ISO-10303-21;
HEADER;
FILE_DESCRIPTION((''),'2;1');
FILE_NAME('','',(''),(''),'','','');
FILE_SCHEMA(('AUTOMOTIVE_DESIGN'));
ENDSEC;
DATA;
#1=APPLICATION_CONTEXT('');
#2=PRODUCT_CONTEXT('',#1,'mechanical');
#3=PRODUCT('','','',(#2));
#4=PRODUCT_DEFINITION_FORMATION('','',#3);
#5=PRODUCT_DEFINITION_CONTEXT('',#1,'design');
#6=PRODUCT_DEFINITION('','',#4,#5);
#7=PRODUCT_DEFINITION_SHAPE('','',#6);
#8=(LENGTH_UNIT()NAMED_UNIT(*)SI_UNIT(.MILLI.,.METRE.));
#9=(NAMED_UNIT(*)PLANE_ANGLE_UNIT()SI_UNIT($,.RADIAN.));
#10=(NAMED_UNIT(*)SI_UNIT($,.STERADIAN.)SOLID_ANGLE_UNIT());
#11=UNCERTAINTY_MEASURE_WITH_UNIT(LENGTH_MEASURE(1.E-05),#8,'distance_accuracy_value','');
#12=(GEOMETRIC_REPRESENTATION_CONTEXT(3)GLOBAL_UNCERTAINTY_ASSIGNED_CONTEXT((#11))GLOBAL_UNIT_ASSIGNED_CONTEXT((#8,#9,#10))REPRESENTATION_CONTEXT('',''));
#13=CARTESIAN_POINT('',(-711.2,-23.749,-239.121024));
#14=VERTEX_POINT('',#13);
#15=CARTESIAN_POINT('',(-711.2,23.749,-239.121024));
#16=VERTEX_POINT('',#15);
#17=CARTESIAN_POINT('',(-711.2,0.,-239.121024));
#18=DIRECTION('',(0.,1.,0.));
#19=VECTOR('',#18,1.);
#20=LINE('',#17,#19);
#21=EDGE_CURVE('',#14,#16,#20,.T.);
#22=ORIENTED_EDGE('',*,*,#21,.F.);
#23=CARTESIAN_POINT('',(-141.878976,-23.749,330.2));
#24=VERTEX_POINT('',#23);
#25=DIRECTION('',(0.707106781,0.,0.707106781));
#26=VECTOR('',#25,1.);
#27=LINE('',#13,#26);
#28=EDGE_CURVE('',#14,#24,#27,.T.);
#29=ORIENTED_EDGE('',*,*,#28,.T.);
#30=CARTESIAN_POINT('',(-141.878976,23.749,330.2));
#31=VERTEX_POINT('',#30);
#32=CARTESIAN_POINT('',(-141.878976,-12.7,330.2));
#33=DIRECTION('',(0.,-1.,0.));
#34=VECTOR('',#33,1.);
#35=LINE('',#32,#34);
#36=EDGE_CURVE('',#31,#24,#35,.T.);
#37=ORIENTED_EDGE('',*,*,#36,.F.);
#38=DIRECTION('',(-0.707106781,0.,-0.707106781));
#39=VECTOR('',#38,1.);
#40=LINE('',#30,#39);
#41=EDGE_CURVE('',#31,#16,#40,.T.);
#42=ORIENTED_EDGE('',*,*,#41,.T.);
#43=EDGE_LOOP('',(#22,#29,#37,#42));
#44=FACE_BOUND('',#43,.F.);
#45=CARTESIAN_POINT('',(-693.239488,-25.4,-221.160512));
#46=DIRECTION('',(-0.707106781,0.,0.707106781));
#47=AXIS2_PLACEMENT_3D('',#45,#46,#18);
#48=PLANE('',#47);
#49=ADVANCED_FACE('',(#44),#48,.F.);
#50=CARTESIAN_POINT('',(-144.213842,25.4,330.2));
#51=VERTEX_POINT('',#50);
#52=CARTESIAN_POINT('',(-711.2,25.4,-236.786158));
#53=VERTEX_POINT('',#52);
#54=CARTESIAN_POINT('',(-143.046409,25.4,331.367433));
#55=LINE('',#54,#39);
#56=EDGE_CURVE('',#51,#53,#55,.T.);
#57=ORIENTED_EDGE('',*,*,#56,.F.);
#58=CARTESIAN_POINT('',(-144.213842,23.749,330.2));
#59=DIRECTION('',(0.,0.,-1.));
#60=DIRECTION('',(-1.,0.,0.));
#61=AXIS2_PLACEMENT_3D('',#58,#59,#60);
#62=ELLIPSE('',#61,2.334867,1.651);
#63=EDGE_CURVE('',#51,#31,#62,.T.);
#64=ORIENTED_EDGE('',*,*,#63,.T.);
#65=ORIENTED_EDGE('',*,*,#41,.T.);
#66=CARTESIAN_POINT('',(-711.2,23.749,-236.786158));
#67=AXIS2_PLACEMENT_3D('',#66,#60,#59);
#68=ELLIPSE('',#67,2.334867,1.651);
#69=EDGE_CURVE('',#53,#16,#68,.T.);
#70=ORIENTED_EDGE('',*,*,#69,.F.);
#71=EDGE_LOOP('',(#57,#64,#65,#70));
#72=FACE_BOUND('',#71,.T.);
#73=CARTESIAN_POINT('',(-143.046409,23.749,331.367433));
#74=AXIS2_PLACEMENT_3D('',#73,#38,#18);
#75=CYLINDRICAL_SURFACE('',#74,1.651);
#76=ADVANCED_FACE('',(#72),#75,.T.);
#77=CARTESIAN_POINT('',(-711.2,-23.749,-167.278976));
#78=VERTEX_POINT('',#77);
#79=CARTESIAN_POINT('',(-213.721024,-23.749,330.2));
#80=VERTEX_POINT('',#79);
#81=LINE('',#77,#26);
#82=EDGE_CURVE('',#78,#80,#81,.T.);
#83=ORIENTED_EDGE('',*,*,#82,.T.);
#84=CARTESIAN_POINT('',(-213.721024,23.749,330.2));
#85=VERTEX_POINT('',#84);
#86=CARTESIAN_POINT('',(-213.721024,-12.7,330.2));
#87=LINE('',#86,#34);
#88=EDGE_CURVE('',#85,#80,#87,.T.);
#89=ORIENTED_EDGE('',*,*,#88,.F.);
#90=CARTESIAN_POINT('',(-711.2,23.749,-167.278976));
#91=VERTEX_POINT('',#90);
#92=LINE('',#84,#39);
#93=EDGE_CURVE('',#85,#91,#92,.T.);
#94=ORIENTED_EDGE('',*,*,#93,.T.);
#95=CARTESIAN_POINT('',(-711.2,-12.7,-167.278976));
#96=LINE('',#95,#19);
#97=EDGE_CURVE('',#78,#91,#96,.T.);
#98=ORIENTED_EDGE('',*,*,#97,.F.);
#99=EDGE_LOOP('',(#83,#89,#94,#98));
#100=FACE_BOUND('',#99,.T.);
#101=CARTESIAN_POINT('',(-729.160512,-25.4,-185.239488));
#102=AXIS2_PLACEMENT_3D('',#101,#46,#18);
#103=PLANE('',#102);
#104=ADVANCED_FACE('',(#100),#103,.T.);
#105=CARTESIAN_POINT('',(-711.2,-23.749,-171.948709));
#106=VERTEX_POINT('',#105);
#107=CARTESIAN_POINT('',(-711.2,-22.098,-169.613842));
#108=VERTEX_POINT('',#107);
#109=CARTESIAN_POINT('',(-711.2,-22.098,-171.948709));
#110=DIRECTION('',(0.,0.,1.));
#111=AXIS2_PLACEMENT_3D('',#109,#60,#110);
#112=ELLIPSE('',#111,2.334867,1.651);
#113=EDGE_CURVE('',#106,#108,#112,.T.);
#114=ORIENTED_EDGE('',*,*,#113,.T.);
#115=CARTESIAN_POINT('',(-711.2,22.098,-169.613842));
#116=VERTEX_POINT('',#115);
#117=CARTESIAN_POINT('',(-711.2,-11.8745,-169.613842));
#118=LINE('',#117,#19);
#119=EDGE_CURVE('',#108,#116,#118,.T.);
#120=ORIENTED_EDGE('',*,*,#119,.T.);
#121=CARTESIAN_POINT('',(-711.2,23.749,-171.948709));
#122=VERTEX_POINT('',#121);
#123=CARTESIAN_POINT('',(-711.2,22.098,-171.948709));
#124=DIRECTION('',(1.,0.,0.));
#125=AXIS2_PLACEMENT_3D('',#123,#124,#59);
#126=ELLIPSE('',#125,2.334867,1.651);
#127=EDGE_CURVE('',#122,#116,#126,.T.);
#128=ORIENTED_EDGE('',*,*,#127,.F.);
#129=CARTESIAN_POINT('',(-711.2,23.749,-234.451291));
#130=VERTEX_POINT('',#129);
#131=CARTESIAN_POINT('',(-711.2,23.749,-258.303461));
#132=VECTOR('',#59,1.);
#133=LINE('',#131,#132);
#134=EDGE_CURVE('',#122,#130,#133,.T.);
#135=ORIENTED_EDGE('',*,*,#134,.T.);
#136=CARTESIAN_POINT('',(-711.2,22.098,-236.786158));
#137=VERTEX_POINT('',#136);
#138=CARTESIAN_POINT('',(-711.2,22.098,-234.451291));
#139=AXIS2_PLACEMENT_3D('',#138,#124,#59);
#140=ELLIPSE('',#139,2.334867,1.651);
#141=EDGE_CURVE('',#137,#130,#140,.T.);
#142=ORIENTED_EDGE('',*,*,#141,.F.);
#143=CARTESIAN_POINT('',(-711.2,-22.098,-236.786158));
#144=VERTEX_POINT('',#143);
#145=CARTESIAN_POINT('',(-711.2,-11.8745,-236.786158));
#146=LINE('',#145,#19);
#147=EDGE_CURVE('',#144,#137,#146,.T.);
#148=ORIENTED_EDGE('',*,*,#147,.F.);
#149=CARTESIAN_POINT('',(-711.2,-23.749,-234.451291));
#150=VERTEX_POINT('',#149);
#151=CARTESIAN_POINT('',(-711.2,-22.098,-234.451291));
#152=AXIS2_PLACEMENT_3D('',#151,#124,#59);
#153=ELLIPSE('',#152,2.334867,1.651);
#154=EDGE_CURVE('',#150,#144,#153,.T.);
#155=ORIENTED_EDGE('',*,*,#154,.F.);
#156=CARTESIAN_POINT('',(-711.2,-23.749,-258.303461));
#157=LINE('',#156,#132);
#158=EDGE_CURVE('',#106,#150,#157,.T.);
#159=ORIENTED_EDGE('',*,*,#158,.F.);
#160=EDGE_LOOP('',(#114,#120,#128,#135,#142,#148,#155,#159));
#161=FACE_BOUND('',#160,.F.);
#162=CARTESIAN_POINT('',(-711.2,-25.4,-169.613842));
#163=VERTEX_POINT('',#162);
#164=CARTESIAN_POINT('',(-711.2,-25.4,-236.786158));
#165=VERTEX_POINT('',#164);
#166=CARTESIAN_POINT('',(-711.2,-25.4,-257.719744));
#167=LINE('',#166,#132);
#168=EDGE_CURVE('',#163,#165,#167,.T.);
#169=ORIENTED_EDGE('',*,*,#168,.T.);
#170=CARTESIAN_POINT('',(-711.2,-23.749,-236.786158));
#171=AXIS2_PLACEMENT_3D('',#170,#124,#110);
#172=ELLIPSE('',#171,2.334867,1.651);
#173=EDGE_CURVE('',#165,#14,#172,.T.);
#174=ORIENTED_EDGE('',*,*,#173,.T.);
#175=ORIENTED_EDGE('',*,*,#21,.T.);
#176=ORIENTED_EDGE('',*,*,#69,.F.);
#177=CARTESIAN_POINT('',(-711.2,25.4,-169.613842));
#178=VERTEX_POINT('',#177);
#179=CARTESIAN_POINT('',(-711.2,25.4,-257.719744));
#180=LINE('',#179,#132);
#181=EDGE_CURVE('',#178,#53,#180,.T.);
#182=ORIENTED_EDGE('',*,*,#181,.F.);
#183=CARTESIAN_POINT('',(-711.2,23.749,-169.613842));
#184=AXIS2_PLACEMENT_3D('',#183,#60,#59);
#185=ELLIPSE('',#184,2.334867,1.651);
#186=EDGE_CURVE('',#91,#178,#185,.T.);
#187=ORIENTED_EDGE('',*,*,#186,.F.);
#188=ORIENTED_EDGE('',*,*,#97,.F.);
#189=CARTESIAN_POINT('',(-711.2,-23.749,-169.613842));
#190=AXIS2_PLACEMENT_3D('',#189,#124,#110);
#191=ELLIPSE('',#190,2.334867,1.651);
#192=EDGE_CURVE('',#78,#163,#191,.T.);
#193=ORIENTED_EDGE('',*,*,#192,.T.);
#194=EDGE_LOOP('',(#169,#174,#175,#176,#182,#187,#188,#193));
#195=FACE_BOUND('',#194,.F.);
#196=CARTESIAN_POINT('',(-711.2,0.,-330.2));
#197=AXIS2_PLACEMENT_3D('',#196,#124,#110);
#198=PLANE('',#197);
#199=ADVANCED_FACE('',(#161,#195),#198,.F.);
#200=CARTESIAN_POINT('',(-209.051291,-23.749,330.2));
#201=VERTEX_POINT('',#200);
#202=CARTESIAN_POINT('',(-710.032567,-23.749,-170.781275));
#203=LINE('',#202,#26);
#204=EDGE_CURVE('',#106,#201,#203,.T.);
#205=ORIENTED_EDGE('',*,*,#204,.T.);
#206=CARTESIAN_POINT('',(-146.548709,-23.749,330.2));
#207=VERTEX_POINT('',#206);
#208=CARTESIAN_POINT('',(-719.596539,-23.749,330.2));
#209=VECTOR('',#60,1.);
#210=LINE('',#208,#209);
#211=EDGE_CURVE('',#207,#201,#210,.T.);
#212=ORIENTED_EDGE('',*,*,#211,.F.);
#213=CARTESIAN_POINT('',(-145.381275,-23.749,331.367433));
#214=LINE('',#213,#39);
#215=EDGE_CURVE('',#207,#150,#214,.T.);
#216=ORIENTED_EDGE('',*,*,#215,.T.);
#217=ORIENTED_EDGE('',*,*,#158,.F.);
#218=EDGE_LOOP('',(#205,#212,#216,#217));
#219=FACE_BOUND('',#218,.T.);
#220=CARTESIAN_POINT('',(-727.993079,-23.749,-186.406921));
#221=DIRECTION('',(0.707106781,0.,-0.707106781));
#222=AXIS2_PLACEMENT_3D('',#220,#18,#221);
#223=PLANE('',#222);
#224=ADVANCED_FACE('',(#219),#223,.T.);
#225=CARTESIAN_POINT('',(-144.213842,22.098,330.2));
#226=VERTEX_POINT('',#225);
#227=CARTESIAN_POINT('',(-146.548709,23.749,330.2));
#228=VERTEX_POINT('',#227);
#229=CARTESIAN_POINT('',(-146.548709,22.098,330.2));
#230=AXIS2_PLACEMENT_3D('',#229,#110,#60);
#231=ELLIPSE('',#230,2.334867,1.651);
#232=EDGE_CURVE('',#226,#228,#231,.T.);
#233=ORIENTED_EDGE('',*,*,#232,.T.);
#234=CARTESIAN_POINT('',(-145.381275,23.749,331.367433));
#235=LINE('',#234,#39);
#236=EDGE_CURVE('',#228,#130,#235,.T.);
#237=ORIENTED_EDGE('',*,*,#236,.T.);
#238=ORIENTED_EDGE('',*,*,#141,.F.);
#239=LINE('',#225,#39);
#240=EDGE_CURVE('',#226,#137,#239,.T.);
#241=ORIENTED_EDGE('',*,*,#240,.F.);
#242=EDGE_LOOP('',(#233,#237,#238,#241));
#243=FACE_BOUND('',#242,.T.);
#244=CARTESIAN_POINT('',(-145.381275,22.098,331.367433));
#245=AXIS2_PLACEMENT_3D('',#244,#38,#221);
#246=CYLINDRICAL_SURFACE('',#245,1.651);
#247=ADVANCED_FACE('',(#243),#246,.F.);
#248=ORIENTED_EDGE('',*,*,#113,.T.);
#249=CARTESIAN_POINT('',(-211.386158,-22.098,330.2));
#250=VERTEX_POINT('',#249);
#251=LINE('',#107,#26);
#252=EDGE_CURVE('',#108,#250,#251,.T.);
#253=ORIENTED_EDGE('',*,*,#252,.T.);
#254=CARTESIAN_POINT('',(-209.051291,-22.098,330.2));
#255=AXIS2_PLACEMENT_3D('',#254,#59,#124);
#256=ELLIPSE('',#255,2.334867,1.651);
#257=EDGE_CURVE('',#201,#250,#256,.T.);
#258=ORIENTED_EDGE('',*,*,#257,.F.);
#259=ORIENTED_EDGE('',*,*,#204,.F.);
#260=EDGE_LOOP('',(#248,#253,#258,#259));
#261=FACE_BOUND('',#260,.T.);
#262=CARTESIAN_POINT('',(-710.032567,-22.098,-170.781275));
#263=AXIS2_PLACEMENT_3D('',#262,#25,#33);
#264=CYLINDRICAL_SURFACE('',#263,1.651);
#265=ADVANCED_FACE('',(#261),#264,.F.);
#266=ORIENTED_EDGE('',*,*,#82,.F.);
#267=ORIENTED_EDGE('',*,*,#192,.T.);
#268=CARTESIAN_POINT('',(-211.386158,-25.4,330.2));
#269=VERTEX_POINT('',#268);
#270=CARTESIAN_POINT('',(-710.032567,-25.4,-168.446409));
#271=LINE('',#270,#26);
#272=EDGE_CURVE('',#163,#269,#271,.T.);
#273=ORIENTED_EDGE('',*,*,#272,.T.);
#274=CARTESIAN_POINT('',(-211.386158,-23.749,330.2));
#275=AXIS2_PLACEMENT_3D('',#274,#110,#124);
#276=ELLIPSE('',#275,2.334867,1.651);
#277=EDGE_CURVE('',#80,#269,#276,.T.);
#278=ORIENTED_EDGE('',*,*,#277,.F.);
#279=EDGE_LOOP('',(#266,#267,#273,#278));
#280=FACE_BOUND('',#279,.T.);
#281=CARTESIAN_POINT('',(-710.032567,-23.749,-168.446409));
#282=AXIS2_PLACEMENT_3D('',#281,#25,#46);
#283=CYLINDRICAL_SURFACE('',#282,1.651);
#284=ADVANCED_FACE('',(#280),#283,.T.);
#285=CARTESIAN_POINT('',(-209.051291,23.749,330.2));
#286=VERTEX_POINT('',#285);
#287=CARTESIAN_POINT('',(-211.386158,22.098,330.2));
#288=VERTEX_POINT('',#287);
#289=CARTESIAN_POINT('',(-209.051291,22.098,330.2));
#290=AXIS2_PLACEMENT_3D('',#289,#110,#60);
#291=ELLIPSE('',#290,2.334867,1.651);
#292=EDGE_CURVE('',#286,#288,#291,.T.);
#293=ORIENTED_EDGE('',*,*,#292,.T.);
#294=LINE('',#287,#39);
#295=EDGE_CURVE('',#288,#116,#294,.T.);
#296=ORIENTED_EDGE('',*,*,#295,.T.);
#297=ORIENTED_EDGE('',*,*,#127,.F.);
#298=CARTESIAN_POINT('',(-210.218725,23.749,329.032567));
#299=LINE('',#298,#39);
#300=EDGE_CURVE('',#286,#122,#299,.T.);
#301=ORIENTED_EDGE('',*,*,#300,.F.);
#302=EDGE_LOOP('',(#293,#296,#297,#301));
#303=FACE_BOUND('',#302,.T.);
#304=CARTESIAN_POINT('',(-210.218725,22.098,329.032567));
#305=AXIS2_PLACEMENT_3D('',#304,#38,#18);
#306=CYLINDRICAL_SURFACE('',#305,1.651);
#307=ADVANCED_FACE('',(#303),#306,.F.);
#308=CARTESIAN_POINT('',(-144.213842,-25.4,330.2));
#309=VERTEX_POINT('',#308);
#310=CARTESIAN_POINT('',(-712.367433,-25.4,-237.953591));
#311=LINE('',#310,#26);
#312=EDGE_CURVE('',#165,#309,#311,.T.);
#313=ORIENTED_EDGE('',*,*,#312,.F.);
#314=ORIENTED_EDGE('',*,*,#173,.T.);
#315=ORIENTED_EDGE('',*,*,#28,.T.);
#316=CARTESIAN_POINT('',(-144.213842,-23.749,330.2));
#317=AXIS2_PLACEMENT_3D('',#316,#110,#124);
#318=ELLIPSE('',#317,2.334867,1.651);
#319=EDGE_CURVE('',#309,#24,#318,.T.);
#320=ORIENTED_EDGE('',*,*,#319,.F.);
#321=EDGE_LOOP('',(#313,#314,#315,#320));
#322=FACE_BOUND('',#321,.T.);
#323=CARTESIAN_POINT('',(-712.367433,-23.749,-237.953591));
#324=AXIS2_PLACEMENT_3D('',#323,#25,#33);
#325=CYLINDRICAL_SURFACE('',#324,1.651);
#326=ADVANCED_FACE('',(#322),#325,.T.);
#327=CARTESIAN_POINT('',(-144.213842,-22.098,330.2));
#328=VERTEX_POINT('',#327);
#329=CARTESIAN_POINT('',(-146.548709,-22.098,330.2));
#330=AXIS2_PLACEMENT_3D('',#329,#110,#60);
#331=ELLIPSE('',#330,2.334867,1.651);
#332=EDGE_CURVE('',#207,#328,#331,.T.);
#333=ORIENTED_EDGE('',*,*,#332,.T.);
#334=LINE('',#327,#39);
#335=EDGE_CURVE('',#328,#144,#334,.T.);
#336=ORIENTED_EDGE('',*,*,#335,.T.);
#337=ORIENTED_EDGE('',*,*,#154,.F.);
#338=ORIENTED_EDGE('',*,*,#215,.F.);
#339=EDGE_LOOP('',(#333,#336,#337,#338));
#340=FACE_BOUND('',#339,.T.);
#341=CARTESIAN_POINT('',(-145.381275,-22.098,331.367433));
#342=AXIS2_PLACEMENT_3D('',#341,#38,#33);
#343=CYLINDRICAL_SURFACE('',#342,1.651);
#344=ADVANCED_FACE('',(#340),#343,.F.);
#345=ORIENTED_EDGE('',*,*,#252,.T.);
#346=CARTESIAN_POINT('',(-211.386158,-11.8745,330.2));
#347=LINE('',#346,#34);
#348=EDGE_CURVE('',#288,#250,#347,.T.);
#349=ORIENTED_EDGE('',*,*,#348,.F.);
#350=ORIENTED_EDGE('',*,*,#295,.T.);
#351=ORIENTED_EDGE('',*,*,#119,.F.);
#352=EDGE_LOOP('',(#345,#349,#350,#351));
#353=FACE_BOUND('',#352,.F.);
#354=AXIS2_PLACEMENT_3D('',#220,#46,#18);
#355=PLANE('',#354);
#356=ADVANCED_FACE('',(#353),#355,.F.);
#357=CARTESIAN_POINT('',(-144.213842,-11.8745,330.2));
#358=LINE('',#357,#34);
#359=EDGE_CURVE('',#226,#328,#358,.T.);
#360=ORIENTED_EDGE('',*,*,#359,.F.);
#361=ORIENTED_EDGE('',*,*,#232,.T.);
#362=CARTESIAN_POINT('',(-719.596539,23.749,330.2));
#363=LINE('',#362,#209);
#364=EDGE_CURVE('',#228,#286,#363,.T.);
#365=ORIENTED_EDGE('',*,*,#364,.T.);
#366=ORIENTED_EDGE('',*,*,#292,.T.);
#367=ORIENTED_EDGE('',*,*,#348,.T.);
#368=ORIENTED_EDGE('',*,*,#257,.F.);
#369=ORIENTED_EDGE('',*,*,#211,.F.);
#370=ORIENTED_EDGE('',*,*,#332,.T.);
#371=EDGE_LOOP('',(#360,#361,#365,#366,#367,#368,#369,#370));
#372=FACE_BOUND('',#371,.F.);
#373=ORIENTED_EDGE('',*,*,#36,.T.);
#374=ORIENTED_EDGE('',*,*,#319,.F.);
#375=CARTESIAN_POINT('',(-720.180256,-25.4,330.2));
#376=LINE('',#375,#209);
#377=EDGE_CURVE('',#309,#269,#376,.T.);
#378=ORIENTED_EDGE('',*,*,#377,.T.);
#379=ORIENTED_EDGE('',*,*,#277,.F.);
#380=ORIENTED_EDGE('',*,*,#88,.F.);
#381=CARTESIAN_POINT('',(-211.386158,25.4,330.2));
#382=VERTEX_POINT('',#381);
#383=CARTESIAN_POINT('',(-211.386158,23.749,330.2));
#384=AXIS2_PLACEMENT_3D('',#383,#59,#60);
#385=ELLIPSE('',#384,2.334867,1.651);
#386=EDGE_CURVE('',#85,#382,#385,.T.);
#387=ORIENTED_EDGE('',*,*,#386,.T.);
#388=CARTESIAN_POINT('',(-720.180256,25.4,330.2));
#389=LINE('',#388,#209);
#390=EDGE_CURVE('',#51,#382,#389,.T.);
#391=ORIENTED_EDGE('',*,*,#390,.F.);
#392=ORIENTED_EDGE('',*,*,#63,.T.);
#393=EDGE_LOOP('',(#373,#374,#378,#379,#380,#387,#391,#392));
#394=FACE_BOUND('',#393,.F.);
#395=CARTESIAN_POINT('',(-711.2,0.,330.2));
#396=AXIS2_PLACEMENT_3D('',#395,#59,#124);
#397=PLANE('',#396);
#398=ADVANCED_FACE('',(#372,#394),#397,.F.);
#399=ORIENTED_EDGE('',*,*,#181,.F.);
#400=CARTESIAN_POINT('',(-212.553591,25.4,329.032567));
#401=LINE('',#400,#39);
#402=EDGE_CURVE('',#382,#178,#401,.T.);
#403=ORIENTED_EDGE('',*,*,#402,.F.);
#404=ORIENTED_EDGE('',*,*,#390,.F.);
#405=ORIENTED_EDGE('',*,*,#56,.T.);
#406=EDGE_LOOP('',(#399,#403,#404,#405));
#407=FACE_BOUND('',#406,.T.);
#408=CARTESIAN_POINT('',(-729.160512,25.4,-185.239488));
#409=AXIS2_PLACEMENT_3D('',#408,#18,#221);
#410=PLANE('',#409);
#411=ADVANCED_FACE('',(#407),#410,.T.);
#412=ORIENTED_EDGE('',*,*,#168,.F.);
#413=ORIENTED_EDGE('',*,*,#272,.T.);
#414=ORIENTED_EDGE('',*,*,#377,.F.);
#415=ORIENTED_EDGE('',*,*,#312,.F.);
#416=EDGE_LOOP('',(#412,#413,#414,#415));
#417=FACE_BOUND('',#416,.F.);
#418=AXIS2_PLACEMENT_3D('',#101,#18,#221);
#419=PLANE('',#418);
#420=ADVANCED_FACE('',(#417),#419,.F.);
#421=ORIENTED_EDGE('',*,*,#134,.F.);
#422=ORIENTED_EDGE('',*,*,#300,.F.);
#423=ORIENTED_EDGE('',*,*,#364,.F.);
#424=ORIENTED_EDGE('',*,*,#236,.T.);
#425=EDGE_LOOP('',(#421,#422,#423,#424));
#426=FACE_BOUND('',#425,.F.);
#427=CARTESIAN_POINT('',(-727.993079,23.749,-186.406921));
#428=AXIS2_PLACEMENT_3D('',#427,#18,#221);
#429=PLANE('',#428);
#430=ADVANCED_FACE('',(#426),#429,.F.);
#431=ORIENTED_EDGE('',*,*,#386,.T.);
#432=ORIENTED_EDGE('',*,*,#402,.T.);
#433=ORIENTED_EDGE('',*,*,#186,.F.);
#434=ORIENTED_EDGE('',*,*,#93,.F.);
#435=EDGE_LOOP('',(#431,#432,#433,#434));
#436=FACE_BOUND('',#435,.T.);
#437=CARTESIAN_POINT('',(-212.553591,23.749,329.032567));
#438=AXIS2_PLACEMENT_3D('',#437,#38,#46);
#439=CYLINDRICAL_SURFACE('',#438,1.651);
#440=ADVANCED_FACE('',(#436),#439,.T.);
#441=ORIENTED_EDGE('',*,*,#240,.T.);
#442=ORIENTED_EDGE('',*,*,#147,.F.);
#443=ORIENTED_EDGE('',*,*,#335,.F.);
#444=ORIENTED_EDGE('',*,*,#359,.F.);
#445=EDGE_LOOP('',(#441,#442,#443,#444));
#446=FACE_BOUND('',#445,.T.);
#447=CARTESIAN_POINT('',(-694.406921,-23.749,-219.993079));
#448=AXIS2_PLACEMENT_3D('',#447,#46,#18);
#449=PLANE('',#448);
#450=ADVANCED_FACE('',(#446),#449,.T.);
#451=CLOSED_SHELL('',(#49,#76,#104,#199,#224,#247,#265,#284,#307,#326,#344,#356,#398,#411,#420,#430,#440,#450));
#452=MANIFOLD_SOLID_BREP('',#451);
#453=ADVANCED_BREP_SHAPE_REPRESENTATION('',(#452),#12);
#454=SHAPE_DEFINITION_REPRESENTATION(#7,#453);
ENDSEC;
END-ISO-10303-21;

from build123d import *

# Parameters (mm, degrees)
F3_W          = 50.8
F3_H          = 50.8
F3_W_2        = 47.498
F3_H_2        = 47.498
F4_DEPTH      = 25.4
F4_DEPTH_BACK = 787.4
F0_W          = 1524
F0_H          = 762
F0_W_2        = 1422.4
F0_H_2        = 660.4
F5_DEPTH      = 63.5
F6_R          = 1.651
F7_R          = 1.651


with BuildPart() as f4:
    # F3 (on line) → F4 (new body, two sides)
    with BuildSketch(Plane(origin=(-457.2, 0, -457.2), x_dir=(0.7071067812, 0, -0.7071067812), z_dir=(0.7071067812, 0, 0.7071067812))) as f4_sk:
        with Locations((-359.2102448428, 0)):
            Rectangle(F3_W, F3_H)
        with Locations((-359.2102448428, 0)):
            Rectangle(F3_W_2, F3_H_2, mode=Mode.SUBTRACT)
    extrude(amount=-F4_DEPTH)
    extrude(f4_sk.sketch, amount=F4_DEPTH_BACK)

    # F0 (on Front) → F5 (cut, symmetric)
    with BuildSketch(Plane.XZ):
        Rectangle(F0_W, F0_H)
        Rectangle(F0_W_2, F0_H_2, mode=Mode.SUBTRACT)
    extrude(amount=F5_DEPTH, both=True, mode=Mode.SUBTRACT)

    # F6
    f6_edges = [f4.edges().sort_by_distance(p)[0] for p in [
        (-462.460512, -25.4, 81.460512),
        (-462.460512, 25.4, 81.460512),
        (-426.539488, 25.4, 45.539488),
        (-426.539488, -25.4, 45.539488),
    ]]
    fillet(f6_edges, radius=F6_R)

    # F7
    f7_edges = [f4.edges().sort_by_distance(p)[0] for p in [
        (-427.706921, 23.749, 46.706921),
        (-427.706921, -23.749, 46.706921),
        (-461.293079, -23.749, 80.293079),
        (-461.293079, 23.749, 80.293079),
    ]]
    fillet(f7_edges, radius=F7_R)


solid = f4.part
